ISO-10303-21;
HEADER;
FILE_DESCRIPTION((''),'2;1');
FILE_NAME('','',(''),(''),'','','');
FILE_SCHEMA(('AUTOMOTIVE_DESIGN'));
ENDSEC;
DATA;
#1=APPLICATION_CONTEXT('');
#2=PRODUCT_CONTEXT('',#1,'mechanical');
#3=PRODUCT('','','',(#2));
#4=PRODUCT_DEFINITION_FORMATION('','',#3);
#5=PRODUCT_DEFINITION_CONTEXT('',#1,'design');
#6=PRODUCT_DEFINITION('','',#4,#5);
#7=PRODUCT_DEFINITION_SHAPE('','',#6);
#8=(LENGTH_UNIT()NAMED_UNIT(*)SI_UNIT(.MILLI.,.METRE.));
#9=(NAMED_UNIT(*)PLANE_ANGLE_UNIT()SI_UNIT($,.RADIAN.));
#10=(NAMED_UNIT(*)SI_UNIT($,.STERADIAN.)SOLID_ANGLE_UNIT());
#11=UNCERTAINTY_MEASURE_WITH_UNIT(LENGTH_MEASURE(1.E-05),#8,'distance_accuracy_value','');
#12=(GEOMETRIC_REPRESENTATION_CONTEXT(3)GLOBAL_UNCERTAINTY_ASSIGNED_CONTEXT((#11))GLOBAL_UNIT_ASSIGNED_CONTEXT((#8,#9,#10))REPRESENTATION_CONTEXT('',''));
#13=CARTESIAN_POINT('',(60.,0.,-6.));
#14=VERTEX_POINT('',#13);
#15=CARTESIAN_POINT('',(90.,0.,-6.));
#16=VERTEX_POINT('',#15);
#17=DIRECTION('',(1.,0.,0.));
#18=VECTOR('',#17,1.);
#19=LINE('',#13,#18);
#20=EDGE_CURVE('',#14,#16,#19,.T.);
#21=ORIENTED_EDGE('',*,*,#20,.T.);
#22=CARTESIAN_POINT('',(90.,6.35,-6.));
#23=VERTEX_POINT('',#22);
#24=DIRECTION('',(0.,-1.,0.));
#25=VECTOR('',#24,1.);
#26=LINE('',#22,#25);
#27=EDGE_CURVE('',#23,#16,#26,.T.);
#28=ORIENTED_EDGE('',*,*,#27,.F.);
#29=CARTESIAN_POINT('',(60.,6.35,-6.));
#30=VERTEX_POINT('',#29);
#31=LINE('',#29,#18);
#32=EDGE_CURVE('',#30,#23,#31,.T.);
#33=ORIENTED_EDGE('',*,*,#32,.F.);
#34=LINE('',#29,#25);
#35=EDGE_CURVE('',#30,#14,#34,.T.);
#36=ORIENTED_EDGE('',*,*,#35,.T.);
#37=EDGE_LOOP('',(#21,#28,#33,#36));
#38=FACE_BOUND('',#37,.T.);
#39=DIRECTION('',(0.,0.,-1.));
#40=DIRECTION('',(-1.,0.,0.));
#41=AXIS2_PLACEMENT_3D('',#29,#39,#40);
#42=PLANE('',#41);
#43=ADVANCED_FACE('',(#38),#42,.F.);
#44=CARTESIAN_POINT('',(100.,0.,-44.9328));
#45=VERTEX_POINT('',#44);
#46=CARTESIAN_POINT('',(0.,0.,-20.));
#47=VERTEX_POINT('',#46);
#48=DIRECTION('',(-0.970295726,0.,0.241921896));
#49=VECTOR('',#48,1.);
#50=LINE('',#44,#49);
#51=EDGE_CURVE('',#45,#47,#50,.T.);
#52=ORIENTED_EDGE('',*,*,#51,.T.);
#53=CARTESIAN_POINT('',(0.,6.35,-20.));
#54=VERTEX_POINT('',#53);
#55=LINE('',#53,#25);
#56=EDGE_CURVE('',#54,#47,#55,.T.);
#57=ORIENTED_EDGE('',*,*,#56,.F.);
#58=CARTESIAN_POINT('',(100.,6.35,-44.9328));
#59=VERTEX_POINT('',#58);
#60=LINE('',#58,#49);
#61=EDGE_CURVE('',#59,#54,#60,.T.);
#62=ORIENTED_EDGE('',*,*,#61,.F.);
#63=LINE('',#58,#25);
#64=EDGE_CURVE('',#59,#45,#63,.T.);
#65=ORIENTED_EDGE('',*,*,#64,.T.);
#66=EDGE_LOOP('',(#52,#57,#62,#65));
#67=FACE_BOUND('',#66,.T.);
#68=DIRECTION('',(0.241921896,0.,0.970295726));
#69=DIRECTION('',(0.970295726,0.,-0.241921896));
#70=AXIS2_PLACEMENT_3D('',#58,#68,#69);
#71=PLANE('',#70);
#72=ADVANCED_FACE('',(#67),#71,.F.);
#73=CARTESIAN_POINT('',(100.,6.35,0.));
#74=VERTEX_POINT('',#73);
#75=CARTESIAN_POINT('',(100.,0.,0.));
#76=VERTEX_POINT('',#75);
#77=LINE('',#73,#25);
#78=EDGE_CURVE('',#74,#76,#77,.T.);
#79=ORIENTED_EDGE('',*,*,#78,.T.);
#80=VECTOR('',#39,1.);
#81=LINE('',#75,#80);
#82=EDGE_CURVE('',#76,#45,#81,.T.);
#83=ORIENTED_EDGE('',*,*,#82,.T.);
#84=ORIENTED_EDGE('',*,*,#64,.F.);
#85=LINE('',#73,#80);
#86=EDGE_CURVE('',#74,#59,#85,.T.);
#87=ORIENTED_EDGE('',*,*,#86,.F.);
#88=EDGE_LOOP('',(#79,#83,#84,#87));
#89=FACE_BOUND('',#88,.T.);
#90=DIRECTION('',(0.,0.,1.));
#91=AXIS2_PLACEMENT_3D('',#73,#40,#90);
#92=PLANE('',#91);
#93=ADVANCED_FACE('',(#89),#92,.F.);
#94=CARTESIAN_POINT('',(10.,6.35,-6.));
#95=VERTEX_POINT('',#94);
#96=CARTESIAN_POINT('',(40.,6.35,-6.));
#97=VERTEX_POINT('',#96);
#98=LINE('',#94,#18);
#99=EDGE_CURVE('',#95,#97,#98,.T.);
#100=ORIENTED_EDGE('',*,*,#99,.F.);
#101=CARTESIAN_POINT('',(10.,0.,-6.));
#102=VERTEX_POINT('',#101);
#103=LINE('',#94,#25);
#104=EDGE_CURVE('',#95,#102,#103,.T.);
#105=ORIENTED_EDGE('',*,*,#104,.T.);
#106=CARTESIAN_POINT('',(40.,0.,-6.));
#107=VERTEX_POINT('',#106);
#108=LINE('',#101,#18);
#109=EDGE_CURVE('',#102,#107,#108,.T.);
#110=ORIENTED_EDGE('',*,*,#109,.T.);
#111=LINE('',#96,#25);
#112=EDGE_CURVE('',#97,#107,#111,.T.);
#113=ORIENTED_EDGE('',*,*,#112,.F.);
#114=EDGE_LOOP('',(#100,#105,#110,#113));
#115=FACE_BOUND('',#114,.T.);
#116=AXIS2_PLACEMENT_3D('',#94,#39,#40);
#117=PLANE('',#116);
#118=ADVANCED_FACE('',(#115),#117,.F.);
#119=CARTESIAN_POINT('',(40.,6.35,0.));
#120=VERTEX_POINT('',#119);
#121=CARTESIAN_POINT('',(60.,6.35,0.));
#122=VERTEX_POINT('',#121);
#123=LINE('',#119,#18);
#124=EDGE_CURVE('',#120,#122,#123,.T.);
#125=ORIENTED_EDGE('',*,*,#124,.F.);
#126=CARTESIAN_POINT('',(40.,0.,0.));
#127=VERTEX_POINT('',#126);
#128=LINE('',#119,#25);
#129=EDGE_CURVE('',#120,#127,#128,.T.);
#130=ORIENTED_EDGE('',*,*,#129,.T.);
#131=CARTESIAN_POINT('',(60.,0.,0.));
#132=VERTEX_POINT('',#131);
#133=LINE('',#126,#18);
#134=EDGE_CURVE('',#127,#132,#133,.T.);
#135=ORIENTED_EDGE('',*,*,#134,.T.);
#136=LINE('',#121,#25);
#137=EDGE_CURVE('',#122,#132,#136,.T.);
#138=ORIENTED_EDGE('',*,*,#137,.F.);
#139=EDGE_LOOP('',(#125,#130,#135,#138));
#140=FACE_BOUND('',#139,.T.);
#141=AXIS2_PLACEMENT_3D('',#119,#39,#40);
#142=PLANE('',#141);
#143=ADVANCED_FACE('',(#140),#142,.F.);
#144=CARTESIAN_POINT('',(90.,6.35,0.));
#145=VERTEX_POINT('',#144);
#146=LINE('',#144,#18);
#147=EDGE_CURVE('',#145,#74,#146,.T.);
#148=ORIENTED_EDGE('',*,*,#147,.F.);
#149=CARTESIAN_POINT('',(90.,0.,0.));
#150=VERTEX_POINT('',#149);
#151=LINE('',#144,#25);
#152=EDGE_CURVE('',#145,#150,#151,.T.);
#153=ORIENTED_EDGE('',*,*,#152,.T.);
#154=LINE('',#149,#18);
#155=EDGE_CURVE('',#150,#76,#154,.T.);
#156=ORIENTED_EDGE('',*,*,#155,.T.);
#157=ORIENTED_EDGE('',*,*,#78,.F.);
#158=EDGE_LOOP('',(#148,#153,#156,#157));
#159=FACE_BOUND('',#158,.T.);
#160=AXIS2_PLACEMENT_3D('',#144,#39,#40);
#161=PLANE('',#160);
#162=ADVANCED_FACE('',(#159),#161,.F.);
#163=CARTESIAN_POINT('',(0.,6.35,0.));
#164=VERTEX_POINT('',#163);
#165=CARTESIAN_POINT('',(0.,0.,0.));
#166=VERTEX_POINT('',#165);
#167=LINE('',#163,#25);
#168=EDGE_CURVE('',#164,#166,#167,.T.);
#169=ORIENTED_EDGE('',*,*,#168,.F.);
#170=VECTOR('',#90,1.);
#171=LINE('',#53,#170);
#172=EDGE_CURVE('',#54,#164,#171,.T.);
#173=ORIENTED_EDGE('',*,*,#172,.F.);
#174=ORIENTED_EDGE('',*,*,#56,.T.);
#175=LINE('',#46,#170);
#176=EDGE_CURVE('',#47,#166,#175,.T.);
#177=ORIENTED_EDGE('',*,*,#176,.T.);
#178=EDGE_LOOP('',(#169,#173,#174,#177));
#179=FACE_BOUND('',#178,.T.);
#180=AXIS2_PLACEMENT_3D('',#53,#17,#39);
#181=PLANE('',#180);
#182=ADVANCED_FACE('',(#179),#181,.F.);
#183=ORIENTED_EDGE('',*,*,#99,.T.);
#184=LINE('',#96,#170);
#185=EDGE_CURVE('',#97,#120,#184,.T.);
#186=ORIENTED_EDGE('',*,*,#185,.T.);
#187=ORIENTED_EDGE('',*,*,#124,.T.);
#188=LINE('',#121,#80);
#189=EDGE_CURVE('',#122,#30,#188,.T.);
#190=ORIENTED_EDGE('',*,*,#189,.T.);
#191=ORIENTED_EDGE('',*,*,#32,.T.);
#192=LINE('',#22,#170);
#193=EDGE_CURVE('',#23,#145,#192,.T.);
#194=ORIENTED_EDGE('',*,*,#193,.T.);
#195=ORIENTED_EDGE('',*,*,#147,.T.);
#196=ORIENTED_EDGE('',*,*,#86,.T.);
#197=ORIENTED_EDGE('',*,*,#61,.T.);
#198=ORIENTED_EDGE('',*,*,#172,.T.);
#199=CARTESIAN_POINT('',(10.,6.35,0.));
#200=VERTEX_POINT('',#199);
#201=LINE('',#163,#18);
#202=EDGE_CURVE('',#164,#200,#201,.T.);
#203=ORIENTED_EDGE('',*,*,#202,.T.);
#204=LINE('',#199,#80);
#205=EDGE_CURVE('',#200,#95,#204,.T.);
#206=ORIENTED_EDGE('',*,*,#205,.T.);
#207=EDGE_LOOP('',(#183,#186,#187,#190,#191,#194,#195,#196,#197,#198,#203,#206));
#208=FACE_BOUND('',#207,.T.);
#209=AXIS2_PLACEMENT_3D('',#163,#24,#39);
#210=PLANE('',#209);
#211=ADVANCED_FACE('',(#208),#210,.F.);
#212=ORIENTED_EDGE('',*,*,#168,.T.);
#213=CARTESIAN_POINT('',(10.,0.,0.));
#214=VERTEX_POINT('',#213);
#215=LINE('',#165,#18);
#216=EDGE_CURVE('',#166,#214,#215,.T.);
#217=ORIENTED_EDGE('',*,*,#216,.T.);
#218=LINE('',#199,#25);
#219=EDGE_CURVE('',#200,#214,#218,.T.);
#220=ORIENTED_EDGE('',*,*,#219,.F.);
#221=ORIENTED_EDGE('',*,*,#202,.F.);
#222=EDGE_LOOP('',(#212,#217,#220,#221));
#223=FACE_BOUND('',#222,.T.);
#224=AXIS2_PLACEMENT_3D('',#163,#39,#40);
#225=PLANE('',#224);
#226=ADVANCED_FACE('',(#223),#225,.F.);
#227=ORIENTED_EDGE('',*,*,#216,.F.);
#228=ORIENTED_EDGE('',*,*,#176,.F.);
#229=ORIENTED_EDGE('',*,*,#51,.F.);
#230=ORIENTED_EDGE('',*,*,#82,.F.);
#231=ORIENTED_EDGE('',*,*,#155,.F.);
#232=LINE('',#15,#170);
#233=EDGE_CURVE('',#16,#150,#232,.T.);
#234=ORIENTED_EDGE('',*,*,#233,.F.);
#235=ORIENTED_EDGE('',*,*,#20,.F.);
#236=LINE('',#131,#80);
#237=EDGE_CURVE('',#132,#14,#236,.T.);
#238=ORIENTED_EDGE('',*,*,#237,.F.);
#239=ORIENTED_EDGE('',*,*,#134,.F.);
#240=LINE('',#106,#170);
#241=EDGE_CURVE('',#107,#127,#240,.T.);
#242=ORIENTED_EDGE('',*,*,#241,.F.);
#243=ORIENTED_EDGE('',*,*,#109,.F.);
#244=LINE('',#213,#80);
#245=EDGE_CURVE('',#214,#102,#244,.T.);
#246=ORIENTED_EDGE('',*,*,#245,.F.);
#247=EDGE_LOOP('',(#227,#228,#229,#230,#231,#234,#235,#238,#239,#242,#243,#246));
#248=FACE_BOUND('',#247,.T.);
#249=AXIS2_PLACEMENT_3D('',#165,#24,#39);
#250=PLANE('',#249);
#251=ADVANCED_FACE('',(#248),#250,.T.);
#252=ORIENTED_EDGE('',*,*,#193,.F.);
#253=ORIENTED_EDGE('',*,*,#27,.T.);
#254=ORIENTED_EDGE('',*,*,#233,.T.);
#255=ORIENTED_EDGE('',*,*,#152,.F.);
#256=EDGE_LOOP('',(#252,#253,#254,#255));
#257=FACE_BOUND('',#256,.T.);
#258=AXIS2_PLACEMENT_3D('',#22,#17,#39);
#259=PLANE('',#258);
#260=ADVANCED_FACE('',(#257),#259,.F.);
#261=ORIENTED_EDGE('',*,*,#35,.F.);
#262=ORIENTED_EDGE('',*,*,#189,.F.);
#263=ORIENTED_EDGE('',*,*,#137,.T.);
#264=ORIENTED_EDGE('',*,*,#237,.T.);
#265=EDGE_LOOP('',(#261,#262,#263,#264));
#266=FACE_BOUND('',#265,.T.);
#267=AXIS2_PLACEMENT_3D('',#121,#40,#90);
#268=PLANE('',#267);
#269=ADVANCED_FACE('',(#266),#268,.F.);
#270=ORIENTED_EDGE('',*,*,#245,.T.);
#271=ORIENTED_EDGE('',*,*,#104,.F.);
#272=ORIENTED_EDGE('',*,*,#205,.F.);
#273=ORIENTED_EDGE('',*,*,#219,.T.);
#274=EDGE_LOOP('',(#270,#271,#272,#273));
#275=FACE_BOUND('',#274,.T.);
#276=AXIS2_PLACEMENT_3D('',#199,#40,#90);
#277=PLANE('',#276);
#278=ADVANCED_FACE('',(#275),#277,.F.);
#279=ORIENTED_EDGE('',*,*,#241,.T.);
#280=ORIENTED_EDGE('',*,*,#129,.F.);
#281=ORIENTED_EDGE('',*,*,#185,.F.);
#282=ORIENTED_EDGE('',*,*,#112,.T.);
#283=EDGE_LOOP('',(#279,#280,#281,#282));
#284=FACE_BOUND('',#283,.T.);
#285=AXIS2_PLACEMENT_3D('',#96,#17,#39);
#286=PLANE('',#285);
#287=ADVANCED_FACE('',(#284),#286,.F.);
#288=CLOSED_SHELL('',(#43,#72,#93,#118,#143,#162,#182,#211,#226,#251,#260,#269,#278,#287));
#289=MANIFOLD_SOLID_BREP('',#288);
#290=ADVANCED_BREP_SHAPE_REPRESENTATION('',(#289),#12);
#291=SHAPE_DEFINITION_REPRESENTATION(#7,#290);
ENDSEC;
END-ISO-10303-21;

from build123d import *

# Parameters (mm, degrees)
BOSS_EXTRUDE1_DEPTH = 6.35


with BuildPart() as part:
    # Sketch1 → Boss-Extrude1 (new body)
    with BuildSketch(Plane(origin=(0, 0, 0), x_dir=(1, 0, 0), z_dir=(0, 1, 0))):
        Polygon((0, 0), (10, 0), (10, 6), (40, 6), (40, 0), (60, 0), (60, 6), (90, 6), (90, 0), (100, 0), (100, 44.932800284), (0, 20), align=None)
    extrude(amount=BOSS_EXTRUDE1_DEPTH)


solid = part.part
